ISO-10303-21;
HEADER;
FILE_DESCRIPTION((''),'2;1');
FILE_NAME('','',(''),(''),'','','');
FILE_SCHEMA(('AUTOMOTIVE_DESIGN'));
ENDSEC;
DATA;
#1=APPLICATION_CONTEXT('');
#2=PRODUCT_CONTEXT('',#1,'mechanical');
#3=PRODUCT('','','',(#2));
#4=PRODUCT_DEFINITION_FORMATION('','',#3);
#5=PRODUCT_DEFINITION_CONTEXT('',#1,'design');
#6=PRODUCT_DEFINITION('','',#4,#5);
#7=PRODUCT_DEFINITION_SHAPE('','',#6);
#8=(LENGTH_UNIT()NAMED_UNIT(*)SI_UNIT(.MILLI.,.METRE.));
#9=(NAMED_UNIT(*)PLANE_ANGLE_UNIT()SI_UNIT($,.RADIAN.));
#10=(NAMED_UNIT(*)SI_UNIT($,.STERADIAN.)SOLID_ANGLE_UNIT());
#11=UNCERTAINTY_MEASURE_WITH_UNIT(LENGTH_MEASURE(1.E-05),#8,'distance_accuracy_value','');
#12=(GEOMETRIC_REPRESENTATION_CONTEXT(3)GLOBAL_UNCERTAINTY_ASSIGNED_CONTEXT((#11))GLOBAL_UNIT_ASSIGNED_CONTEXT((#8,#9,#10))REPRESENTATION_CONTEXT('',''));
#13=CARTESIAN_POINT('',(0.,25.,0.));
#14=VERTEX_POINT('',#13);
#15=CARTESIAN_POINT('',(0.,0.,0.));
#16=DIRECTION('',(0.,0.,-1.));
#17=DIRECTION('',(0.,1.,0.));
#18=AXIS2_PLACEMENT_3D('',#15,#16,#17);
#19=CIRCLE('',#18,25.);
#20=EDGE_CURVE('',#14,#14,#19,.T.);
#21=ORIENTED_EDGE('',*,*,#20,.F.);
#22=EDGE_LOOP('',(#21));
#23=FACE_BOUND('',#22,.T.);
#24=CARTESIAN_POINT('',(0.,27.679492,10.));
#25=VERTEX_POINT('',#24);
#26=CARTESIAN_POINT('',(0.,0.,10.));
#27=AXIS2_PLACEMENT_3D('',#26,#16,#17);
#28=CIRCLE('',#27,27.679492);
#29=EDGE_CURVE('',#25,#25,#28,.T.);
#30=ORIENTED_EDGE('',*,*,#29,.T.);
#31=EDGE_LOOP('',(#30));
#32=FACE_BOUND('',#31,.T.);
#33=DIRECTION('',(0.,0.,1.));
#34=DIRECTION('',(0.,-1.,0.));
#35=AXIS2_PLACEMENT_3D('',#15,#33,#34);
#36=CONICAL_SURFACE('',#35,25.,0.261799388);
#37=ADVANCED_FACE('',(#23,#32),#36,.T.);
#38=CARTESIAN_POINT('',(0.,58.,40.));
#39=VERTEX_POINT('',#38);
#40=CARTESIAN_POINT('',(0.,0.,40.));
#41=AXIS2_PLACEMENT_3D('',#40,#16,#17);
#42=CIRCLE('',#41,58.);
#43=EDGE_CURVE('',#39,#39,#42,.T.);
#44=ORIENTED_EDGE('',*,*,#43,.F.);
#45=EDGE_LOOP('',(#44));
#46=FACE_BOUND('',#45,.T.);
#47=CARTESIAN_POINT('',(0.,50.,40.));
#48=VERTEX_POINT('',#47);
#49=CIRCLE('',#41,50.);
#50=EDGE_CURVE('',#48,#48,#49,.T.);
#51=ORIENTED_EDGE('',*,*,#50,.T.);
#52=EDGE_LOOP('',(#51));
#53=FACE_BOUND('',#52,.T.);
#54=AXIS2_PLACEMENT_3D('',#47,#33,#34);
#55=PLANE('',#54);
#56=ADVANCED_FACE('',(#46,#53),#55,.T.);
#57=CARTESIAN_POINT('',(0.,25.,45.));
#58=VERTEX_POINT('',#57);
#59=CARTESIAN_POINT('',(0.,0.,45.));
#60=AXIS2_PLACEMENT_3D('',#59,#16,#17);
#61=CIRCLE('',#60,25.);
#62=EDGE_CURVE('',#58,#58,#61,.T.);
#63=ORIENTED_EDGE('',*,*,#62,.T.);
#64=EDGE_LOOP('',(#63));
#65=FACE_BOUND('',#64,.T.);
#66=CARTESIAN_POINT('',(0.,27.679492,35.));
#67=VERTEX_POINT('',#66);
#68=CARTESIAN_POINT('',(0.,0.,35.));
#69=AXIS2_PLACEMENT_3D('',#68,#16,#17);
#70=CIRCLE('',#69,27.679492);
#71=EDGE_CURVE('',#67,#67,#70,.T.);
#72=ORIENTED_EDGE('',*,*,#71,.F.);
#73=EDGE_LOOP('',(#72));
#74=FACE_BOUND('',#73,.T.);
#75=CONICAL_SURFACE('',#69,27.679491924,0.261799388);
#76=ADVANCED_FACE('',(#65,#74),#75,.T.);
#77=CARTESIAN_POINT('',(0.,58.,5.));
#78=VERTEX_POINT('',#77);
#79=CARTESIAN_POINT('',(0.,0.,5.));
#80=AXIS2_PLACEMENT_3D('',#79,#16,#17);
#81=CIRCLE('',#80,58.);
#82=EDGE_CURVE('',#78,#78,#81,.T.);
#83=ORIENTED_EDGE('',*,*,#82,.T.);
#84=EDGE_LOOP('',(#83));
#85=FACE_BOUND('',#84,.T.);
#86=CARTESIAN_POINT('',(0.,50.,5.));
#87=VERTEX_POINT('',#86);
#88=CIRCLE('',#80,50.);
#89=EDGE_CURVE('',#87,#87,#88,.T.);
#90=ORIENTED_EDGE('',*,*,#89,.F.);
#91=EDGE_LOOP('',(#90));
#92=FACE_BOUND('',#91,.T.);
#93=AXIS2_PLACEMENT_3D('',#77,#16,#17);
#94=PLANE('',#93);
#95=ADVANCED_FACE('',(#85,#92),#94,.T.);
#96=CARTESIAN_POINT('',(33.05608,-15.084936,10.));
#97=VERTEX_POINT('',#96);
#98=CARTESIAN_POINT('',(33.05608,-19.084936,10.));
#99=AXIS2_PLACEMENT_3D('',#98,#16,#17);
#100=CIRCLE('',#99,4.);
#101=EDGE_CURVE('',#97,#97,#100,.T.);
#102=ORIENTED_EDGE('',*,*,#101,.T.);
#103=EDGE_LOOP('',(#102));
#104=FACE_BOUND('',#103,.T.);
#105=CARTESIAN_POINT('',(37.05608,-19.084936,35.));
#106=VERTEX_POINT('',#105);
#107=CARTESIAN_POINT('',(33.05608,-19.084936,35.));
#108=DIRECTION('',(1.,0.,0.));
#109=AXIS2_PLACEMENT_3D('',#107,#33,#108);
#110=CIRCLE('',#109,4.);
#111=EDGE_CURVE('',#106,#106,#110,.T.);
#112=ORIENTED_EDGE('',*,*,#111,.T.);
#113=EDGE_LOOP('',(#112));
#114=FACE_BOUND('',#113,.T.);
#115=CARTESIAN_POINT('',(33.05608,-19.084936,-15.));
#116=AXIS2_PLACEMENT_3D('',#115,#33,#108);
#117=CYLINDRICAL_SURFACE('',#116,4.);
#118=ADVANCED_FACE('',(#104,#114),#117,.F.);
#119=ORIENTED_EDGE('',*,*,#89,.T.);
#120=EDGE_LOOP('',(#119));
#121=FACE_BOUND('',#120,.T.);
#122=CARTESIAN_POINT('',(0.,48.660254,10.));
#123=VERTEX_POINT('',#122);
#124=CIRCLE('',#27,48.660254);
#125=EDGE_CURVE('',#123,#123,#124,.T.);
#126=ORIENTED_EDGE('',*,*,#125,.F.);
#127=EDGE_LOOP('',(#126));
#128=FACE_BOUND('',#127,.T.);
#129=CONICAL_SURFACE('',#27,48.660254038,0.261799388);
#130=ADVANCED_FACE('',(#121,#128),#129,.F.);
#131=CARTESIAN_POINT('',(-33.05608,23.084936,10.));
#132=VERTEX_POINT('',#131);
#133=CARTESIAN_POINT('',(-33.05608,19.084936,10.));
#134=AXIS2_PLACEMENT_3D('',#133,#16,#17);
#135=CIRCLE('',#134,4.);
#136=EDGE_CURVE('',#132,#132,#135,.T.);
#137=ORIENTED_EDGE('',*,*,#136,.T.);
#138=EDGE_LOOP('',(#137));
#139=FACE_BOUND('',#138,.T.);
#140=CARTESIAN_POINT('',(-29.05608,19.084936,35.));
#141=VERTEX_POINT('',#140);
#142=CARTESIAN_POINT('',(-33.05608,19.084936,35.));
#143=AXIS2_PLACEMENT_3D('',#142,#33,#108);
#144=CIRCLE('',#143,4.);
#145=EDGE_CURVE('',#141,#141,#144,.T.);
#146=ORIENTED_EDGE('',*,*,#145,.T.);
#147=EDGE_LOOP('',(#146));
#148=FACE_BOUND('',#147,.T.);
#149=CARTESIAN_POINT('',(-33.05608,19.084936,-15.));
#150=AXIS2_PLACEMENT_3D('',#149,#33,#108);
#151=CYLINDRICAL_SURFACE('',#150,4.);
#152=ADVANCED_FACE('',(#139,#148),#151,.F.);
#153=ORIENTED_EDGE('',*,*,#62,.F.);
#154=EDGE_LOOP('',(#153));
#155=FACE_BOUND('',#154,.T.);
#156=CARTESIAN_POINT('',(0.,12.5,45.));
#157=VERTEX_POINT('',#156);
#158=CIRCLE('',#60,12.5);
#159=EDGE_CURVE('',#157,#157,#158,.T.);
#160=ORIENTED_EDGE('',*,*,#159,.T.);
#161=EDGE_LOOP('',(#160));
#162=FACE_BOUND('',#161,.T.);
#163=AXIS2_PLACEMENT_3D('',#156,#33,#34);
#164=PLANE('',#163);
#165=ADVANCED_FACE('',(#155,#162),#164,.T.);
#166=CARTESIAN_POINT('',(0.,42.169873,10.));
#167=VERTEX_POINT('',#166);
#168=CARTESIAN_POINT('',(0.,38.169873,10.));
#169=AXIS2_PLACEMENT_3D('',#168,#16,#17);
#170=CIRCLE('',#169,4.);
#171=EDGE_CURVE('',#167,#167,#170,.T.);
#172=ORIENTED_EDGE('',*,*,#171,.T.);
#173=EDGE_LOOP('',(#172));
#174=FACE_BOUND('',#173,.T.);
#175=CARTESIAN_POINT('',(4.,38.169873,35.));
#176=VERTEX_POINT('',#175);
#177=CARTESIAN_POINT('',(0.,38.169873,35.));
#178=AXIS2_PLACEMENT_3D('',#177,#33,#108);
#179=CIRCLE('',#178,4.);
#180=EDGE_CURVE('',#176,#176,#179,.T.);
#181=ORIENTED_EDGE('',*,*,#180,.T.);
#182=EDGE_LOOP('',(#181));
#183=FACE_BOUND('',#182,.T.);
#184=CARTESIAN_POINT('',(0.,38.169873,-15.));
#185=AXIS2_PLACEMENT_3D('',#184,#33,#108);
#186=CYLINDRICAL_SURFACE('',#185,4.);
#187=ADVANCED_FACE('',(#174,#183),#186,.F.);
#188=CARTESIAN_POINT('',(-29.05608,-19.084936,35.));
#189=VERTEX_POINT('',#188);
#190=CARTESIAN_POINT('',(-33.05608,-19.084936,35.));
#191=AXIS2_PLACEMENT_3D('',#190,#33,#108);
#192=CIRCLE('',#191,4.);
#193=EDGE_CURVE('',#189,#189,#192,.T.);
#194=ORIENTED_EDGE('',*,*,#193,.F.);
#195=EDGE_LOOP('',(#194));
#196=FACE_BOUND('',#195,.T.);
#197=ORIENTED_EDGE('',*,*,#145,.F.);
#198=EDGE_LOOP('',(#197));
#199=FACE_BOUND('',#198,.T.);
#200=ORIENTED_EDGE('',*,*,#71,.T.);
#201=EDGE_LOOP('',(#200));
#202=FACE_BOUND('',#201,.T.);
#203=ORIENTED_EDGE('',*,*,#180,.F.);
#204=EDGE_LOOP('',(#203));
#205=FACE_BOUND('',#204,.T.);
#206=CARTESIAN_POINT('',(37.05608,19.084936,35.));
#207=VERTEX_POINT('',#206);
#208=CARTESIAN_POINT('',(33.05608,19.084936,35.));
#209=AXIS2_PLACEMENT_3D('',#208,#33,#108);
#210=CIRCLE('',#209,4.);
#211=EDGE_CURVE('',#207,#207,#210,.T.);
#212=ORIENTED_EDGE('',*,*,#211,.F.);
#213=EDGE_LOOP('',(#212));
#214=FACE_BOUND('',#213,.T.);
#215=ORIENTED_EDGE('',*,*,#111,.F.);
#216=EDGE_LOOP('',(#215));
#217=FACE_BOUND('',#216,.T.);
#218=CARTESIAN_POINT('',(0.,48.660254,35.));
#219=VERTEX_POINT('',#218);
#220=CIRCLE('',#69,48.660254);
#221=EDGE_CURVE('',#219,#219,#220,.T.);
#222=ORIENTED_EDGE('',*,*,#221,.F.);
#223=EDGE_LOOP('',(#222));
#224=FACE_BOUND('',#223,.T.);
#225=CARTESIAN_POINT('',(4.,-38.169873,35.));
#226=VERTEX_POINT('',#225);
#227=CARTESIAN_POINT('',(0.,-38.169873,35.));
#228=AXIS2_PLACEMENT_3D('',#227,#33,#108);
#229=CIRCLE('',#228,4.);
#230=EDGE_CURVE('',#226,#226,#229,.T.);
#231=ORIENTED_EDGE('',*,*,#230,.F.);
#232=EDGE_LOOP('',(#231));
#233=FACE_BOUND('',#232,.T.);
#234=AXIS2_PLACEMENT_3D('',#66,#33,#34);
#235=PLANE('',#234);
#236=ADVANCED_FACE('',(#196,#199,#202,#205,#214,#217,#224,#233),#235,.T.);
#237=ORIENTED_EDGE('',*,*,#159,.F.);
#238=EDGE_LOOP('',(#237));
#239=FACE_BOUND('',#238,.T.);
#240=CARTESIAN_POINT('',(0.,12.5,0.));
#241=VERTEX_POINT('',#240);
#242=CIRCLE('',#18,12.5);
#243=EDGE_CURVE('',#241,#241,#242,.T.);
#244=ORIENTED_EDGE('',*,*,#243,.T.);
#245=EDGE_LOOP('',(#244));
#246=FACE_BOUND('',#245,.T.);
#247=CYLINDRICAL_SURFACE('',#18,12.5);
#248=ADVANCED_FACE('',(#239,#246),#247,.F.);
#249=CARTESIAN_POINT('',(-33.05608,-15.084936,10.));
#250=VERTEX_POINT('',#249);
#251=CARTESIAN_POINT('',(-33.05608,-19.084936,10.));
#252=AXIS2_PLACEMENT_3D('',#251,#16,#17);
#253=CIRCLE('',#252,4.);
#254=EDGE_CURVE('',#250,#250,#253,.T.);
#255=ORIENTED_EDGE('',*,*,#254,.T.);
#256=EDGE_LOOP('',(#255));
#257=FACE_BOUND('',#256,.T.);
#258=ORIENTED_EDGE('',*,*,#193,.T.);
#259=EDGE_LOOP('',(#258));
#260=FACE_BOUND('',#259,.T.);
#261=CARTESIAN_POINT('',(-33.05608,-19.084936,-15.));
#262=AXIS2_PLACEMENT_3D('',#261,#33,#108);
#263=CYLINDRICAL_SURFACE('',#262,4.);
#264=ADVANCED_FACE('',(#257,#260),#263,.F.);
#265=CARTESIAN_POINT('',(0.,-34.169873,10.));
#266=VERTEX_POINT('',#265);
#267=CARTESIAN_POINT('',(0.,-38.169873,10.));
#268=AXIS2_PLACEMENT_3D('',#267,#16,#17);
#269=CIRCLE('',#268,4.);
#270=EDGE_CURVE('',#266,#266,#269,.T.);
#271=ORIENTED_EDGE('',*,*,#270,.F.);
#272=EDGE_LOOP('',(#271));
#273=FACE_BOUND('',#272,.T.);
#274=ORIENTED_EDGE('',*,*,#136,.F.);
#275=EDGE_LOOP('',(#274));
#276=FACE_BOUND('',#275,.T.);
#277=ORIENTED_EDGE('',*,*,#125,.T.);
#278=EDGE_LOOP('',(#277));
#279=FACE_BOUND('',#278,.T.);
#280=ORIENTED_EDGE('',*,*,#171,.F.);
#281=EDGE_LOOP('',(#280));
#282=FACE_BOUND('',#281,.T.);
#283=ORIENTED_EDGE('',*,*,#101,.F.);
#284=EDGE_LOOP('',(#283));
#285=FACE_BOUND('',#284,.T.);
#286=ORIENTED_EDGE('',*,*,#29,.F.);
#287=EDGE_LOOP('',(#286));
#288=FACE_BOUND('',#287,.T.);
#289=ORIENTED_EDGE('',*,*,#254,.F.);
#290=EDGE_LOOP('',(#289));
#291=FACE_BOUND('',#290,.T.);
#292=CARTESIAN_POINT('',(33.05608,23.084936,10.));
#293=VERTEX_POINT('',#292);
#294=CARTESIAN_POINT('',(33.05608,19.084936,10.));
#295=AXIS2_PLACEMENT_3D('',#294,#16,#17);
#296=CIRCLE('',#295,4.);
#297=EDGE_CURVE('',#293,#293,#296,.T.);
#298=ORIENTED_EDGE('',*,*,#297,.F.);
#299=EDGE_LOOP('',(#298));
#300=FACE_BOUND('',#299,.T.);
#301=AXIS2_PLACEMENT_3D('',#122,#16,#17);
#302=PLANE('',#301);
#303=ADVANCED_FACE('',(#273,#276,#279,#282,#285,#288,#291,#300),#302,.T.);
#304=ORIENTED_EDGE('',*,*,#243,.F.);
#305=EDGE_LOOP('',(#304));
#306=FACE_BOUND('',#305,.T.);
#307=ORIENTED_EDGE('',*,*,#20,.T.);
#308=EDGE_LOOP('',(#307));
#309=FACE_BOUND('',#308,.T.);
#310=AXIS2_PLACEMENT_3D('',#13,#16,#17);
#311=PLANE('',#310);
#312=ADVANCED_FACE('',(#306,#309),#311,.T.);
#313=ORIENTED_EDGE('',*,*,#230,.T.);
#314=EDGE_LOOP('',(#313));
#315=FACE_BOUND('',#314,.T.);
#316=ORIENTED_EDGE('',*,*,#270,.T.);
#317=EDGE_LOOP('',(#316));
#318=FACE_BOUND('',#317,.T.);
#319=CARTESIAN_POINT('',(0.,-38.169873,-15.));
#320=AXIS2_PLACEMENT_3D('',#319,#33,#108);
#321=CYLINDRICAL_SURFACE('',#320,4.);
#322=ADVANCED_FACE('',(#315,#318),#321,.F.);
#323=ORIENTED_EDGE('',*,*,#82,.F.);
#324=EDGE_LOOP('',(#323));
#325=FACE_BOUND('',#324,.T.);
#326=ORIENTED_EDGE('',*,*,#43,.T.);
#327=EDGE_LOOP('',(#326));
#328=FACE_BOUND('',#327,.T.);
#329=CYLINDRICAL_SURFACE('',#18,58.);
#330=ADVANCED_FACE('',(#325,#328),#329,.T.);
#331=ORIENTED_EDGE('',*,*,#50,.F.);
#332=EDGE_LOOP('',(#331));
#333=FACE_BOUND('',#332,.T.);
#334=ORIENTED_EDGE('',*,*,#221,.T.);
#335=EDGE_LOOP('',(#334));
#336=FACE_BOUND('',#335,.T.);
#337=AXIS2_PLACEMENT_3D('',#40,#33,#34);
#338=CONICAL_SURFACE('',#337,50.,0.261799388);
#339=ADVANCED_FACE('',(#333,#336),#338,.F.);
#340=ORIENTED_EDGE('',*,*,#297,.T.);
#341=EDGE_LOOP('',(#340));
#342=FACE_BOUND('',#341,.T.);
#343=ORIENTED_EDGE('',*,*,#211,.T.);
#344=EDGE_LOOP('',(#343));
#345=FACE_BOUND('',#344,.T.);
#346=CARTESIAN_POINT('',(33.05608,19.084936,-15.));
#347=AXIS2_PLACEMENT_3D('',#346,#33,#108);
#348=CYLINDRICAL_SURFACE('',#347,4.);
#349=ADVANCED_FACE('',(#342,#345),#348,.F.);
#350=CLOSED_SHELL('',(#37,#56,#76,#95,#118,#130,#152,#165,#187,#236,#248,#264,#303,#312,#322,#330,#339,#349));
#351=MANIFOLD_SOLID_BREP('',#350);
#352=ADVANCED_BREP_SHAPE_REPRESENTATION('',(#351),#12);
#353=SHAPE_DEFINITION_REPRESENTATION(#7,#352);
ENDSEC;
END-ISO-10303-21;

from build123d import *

# Parameters (mm, degrees)
SKETCH3_R          = 4
CUT_EXTRUDE2_DEPTH = 50


with BuildPart() as part:
    # Sketch1 → Revolve2 (revolve)
    with BuildSketch(Plane(origin=(0, 0, 0), x_dir=(0, 0, -1), z_dir=(1, 0, 0))):
        Polygon((-45, 12.5), (-45, 25), (-35, 27.679491924), (-35, 48.660254038), (-40, 50), (-40, 58), (-5, 58), (-5, 50), (-10, 48.660254038), (-10, 27.679491924), (0, 25), (0, 12.5), align=None)
    revolve(axis=Axis((0, 0, 0), (0, 0, 1)))

    # Sketch3 → Cut-Extrude2 (cut)
    with BuildSketch(Plane.XY.offset(35)):
        with Locations((-33.056079661, -19.084936491)):
            Circle(SKETCH3_R)
        with Locations((0, 38.169872981)):
            Circle(SKETCH3_R)
        with Locations((-33.056079661, 19.084936491)):
            Circle(SKETCH3_R)
        with Locations((0, -38.169872981)):
            Circle(SKETCH3_R)
        with Locations((33.056079661, -19.084936491)):
            Circle(SKETCH3_R)
        with Locations((33.056079661, 19.084936491)):
            Circle(SKETCH3_R)
    extrude(amount=-CUT_EXTRUDE2_DEPTH, mode=Mode.SUBTRACT)


solid = part.part
